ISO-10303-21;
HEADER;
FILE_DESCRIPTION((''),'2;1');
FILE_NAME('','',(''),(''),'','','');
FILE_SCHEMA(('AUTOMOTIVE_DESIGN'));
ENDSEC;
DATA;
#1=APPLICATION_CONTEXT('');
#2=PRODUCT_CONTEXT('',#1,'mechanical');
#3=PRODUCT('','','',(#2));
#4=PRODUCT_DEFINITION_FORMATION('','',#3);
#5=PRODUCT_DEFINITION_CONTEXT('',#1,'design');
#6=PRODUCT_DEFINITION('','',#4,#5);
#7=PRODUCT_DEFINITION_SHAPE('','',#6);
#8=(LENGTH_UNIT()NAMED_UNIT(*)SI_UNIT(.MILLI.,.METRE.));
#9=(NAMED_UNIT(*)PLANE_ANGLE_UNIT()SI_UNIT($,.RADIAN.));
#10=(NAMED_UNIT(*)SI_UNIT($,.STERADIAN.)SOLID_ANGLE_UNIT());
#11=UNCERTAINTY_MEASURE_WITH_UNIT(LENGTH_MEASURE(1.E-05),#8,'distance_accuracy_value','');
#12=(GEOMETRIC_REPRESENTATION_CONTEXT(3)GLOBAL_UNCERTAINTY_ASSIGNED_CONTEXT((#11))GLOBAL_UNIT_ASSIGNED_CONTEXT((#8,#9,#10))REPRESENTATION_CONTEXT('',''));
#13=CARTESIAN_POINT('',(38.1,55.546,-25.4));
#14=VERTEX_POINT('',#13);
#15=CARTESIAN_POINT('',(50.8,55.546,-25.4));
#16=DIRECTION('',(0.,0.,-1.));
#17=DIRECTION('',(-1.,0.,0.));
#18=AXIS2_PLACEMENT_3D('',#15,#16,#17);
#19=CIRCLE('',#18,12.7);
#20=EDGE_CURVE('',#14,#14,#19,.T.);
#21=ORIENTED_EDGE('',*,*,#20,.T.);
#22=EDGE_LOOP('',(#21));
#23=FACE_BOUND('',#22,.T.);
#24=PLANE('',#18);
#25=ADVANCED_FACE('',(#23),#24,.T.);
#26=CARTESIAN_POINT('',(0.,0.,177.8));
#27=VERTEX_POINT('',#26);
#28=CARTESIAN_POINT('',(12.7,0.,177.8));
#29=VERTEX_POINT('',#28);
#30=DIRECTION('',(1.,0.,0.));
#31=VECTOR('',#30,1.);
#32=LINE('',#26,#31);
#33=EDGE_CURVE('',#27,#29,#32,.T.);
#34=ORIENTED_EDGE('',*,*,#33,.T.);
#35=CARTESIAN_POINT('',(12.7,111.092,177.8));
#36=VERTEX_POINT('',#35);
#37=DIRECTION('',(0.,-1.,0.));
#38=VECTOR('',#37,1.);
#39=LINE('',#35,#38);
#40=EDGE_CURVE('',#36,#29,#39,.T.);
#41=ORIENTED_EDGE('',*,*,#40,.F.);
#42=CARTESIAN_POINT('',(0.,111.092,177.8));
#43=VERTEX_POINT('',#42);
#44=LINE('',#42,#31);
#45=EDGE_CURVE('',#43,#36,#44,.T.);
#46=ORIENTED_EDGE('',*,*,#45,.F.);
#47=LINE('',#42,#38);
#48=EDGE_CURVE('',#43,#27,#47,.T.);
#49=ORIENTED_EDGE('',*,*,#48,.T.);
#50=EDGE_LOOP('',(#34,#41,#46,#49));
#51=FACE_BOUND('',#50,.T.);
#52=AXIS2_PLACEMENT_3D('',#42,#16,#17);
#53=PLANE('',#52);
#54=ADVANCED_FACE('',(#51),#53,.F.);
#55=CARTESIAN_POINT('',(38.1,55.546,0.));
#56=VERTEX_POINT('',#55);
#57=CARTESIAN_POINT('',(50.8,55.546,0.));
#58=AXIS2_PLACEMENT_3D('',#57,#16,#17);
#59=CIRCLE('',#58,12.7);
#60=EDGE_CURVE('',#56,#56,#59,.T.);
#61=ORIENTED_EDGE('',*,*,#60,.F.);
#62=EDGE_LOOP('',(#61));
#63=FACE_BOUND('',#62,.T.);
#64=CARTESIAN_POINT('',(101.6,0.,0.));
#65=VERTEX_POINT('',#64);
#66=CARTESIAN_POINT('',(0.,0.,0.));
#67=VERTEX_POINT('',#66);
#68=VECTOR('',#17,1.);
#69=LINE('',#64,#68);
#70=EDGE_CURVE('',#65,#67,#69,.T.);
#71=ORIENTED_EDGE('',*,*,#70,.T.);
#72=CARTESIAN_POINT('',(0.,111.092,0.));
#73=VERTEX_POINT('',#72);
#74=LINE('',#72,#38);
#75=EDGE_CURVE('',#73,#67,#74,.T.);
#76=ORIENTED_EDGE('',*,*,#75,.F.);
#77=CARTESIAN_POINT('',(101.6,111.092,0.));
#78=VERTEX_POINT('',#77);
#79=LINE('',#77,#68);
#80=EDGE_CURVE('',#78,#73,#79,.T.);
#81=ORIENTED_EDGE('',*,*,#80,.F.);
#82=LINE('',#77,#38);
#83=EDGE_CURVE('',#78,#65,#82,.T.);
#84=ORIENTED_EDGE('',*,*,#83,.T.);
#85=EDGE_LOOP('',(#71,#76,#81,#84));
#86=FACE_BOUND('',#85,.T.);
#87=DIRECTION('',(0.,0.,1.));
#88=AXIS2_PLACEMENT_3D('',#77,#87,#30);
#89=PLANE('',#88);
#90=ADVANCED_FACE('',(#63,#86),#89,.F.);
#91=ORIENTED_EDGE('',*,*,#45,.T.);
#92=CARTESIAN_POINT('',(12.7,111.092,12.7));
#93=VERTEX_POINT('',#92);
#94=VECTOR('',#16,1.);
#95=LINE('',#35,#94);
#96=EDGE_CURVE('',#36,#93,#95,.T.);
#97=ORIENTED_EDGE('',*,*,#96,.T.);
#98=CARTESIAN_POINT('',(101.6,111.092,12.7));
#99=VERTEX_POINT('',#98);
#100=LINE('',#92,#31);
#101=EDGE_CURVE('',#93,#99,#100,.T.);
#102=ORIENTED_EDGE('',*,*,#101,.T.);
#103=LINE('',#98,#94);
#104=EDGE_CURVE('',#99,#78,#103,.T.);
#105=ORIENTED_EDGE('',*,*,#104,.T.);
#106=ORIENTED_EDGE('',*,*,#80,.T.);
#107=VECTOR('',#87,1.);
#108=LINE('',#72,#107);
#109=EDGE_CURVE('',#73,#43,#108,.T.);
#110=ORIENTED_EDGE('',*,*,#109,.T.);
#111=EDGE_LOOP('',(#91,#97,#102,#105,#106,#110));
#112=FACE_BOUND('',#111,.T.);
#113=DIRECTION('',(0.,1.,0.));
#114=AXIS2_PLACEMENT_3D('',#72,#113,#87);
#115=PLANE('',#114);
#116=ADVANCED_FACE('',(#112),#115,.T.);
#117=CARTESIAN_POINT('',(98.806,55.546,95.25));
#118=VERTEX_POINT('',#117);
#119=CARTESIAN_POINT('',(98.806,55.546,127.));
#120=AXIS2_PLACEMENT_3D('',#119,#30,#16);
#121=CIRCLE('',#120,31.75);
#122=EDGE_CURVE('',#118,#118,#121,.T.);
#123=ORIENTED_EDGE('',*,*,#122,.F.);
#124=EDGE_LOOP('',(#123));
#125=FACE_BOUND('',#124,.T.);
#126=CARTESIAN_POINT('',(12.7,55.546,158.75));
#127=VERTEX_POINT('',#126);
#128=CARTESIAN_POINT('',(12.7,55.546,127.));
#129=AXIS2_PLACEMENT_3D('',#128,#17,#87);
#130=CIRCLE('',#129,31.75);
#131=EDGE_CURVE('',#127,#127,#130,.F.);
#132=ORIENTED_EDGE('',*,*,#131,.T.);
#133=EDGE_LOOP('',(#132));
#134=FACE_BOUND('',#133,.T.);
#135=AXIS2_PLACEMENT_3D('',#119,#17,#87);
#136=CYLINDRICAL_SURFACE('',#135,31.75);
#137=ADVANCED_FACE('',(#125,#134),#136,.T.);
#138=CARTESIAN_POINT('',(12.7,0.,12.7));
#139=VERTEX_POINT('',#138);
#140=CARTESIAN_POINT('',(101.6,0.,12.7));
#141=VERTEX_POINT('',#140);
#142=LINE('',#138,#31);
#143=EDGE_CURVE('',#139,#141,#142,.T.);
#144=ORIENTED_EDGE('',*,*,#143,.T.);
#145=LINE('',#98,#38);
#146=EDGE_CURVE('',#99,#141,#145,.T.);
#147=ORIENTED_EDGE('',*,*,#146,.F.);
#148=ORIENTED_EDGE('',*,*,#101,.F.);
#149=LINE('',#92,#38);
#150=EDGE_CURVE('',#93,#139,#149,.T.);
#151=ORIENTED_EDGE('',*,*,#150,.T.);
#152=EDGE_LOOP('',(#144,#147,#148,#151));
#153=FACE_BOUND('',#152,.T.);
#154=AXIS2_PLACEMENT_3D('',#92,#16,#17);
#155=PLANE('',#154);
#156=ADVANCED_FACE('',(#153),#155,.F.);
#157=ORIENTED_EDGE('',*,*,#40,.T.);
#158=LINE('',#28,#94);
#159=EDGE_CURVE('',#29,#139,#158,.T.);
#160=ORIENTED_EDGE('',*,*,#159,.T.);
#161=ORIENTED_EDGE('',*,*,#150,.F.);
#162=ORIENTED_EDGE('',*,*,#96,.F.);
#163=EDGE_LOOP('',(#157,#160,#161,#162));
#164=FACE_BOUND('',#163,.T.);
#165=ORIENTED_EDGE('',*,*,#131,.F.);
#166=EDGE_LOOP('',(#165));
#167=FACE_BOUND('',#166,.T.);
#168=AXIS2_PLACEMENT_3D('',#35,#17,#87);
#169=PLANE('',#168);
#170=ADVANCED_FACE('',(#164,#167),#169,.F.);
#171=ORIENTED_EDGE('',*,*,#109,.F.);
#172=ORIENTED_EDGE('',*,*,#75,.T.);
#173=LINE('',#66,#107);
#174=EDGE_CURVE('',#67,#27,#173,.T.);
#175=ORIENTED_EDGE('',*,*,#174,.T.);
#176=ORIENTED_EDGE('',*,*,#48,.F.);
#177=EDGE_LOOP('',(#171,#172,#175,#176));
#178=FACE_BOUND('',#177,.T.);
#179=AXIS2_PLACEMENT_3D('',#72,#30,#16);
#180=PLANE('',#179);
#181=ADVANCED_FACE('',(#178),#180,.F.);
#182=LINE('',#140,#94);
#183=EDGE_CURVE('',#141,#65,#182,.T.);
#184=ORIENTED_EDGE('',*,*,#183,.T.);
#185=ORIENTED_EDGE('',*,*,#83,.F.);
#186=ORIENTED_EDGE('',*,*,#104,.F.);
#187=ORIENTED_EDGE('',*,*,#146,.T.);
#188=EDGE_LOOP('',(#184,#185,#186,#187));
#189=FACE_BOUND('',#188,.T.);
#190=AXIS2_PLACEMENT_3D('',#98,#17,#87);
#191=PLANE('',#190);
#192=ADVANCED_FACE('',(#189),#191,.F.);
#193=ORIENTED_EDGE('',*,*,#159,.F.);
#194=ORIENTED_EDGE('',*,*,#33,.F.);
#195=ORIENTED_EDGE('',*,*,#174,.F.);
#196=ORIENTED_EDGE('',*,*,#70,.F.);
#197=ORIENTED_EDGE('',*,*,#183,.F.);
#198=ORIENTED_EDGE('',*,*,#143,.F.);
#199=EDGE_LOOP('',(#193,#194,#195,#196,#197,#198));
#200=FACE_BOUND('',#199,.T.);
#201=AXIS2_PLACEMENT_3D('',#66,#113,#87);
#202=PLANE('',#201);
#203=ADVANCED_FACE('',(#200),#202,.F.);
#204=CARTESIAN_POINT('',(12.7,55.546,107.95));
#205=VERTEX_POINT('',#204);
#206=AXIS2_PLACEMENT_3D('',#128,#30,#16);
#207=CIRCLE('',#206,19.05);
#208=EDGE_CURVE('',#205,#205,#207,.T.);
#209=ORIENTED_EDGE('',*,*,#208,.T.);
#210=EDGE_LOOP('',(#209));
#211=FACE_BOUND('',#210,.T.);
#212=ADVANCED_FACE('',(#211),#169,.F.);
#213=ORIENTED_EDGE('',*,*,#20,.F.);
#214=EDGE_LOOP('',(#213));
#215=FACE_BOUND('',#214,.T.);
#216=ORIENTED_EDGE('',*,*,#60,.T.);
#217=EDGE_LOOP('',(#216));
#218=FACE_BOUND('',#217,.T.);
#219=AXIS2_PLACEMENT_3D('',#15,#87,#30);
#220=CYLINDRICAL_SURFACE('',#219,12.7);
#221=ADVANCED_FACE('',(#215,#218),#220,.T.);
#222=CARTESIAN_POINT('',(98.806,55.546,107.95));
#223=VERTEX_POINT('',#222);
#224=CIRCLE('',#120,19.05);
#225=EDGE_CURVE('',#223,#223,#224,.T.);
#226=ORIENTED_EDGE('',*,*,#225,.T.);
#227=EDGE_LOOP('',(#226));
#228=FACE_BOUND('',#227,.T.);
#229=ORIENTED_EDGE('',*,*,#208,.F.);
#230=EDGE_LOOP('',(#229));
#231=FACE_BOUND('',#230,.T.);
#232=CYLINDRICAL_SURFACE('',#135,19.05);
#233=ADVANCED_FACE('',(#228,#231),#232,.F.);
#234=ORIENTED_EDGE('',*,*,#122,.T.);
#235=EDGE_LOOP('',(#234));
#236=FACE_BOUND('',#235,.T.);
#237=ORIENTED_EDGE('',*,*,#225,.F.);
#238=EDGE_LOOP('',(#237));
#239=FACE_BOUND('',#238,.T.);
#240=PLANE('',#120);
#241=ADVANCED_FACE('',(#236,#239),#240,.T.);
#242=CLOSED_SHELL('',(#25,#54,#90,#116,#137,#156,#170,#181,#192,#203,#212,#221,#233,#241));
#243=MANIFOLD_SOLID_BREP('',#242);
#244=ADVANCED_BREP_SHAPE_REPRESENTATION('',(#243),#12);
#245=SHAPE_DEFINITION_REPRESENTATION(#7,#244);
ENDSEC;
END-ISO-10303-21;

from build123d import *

# Parameters (mm, degrees)
BOSS_EXTRUDE1_DEPTH = 111.092
SKETCH3_R           = 12.7
BOSS_EXTRUDE2_DEPTH = 25.4
SKETCH4_R           = 31.75
SKETCH4_R_2         = 19.05
BOSS_EXTRUDE3_DEPTH = 86.106


with BuildPart() as part:
    # Sketch2 → Boss-Extrude1 (new body)
    with BuildSketch(Plane(origin=(0, 0, 0), x_dir=(1, 0, 0), z_dir=(0, 1, 0))):
        Polygon((101.6, 0), (0, 0), (0, -177.8), (12.7, -177.8), (12.7, -12.7), (101.6, -12.7), align=None)
    extrude(amount=BOSS_EXTRUDE1_DEPTH)

    # Sketch3 → Boss-Extrude2 (add)
    with BuildSketch(Plane(origin=(0, 0, 0), x_dir=(-1, 0, 0), z_dir=(0, 0, -1))):
        with Locations((-50.8, 55.546)):
            Circle(SKETCH3_R)
    extrude(amount=BOSS_EXTRUDE2_DEPTH)

    # Sketch4 → Boss-Extrude3 (add)
    with BuildSketch(Plane(origin=(12.7, 0, 0), x_dir=(0, 0, -1), z_dir=(1, 0, 0))):
        with Locations(Location((-127, 55.546, 0), (0, 0, 180))):
            Circle(SKETCH4_R)
        with Locations((-127, 55.546)):
            Circle(SKETCH4_R_2, mode=Mode.SUBTRACT)
    extrude(amount=BOSS_EXTRUDE3_DEPTH)


solid = part.part
